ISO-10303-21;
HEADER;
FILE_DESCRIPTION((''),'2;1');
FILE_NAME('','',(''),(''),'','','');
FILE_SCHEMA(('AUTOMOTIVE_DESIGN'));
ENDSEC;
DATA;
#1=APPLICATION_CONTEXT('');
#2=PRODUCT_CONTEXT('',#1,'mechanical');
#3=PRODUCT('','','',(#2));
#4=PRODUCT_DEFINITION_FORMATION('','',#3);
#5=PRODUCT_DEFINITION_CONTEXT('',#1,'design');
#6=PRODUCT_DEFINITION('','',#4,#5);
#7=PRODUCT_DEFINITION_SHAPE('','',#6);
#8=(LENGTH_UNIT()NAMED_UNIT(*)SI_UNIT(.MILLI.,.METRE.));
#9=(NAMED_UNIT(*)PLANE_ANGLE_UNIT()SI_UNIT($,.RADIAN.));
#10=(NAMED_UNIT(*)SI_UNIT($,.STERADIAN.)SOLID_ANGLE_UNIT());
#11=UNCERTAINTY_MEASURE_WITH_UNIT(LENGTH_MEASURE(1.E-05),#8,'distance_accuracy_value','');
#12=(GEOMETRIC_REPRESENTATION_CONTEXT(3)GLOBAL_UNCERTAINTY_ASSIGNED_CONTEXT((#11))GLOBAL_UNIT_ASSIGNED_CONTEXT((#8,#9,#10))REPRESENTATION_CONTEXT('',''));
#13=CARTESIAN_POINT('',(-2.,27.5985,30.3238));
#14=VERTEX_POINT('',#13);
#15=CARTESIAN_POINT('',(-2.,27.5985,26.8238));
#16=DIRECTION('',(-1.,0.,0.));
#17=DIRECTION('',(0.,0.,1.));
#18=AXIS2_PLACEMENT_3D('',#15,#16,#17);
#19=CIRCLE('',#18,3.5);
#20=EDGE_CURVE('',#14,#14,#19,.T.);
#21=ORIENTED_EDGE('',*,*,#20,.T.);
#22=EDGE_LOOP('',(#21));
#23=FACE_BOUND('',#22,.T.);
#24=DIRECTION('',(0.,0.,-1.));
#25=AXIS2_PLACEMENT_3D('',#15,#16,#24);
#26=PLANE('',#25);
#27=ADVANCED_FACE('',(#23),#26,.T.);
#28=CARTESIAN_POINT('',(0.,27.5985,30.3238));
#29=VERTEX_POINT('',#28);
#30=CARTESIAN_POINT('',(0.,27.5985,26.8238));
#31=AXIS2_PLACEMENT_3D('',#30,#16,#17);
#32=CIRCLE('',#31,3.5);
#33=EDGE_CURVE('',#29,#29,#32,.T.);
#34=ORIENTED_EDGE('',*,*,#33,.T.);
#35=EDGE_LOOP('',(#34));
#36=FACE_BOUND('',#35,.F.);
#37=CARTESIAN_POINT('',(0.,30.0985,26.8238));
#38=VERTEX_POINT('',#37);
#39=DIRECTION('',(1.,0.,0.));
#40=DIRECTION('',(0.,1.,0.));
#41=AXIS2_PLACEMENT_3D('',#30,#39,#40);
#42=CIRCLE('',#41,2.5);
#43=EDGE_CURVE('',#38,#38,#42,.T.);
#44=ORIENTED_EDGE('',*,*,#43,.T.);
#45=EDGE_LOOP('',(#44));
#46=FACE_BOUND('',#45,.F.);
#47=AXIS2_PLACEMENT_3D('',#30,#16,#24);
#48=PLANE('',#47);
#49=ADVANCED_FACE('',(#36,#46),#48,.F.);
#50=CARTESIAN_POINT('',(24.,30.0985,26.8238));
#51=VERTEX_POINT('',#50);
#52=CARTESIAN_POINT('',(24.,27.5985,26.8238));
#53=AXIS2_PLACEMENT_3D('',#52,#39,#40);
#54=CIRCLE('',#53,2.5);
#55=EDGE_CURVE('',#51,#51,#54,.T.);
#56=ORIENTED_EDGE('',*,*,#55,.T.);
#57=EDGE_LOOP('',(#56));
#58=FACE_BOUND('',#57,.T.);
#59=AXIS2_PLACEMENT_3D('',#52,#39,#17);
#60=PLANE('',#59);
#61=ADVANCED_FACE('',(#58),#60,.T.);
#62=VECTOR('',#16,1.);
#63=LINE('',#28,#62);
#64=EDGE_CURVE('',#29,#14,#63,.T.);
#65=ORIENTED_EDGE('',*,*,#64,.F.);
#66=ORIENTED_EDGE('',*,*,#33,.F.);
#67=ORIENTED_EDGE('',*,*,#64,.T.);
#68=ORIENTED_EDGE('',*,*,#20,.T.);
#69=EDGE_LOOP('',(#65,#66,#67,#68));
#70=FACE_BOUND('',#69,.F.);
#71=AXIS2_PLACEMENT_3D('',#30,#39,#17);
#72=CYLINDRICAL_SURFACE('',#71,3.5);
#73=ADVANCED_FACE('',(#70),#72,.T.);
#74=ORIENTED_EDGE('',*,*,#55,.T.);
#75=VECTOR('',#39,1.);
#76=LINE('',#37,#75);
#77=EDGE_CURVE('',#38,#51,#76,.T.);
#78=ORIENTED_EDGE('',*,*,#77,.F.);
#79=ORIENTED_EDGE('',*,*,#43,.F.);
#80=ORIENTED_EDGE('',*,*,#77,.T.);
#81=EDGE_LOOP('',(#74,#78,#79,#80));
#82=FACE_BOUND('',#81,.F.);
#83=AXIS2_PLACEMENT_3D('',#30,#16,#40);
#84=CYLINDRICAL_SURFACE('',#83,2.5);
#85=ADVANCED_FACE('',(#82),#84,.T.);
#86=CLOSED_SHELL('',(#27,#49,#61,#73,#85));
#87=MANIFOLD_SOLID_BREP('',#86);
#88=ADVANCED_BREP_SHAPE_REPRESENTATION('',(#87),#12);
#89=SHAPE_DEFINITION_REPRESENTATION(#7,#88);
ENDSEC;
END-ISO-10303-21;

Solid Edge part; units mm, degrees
sketch "Sketch1" plane through (0, 0, 0) normal (1, 0, 0) x (0, 1, 0)
  circle A0 centre (27.5985, 26.8238) radius 2.5
extrude "Protrusion1" add sketch "Sketch1" along normal blind 24
sketch "Sketch2" plane through (0, 27.5985, 26.8238) normal (-1, 0, 0) x (0, 0, 1)
  circle A0 centre (0, 0) radius 3.5
extrude "ExtrudedProtrusion_2" add sketch "Sketch2" along normal blind 2
